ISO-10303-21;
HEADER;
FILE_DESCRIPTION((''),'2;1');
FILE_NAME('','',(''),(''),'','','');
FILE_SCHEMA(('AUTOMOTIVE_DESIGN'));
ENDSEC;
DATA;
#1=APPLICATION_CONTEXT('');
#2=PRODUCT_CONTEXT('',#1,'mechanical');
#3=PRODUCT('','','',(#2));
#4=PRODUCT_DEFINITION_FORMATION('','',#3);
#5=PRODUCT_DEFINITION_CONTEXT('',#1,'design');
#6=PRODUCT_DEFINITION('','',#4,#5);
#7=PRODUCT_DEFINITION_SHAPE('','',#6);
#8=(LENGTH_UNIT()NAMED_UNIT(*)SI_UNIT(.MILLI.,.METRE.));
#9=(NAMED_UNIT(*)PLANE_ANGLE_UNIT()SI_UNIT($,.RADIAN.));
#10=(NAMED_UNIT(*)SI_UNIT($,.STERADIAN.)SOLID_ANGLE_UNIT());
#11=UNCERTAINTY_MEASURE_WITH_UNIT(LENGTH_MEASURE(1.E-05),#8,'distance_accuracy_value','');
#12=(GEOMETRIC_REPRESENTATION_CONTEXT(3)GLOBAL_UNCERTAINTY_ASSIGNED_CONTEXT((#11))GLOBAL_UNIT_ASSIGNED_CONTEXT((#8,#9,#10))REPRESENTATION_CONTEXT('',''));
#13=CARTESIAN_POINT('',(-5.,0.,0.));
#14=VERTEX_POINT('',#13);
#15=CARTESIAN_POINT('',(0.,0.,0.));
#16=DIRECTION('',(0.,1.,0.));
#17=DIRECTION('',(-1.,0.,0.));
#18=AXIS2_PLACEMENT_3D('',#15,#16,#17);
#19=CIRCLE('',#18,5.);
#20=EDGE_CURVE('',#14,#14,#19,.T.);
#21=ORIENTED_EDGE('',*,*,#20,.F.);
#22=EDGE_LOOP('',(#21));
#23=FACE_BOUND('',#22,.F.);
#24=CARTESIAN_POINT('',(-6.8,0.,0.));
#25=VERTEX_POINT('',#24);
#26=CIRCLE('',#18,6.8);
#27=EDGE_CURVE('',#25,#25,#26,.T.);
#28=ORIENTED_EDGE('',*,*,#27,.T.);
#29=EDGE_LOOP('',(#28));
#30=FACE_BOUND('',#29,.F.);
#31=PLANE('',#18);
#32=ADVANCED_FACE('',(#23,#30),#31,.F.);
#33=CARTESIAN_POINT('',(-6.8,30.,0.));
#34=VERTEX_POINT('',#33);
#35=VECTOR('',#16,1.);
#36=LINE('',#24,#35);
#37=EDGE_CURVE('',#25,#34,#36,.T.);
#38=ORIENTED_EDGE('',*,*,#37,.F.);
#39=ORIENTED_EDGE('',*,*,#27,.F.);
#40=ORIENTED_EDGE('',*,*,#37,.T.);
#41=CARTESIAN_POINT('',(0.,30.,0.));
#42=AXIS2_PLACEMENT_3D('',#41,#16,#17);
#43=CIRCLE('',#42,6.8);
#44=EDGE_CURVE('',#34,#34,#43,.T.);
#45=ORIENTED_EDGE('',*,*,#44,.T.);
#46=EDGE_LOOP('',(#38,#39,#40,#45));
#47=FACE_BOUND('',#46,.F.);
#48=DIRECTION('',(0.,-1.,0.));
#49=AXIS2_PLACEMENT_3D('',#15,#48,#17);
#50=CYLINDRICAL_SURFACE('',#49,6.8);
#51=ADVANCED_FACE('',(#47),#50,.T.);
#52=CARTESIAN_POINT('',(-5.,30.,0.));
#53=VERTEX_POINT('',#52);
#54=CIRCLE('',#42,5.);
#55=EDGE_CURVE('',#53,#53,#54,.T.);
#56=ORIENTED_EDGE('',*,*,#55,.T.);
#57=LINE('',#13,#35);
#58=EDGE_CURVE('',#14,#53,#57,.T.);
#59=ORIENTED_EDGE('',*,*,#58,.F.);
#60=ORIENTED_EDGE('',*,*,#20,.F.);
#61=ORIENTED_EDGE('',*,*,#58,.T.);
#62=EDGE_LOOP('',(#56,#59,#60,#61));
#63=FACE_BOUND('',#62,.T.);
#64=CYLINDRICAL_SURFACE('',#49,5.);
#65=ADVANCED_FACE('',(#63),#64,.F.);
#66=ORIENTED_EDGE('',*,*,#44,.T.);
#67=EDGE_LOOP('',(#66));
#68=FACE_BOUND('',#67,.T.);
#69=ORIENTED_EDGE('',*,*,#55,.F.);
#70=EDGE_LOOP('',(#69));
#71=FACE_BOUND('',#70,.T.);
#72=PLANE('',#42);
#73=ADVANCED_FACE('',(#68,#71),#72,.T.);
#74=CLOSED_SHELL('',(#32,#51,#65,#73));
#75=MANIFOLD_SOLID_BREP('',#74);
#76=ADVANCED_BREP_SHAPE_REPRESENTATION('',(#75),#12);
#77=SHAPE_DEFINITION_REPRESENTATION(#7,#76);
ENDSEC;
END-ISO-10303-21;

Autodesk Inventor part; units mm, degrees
ref_plane "YZ Plane" through (0, 0, 0) normal (1, 0, 0) x (0, 1, 0)
ref_plane "XZ Plane" through (0, 0, 0) normal (0, 1, 0) x (-1, 0, 0)
ref_plane "XY Plane" through (0, 0, 0) normal (0, 0, 1) x (1, 0, 0)
sketch "Sketch1" plane through (0, 0, 0) normal (0, 1, 0) x (-1, 0, 0)
  circle A0 centre (0, 0) radius 5
  circle A1 centre (0, 0) radius 6.8
  dimension "d0" = 13.6
  dimension "d1" = 10
extrude "Extrusion1" add sketch "Sketch1" along normal blind 30
properties part number "launchlug" material "ABS Plastic"
